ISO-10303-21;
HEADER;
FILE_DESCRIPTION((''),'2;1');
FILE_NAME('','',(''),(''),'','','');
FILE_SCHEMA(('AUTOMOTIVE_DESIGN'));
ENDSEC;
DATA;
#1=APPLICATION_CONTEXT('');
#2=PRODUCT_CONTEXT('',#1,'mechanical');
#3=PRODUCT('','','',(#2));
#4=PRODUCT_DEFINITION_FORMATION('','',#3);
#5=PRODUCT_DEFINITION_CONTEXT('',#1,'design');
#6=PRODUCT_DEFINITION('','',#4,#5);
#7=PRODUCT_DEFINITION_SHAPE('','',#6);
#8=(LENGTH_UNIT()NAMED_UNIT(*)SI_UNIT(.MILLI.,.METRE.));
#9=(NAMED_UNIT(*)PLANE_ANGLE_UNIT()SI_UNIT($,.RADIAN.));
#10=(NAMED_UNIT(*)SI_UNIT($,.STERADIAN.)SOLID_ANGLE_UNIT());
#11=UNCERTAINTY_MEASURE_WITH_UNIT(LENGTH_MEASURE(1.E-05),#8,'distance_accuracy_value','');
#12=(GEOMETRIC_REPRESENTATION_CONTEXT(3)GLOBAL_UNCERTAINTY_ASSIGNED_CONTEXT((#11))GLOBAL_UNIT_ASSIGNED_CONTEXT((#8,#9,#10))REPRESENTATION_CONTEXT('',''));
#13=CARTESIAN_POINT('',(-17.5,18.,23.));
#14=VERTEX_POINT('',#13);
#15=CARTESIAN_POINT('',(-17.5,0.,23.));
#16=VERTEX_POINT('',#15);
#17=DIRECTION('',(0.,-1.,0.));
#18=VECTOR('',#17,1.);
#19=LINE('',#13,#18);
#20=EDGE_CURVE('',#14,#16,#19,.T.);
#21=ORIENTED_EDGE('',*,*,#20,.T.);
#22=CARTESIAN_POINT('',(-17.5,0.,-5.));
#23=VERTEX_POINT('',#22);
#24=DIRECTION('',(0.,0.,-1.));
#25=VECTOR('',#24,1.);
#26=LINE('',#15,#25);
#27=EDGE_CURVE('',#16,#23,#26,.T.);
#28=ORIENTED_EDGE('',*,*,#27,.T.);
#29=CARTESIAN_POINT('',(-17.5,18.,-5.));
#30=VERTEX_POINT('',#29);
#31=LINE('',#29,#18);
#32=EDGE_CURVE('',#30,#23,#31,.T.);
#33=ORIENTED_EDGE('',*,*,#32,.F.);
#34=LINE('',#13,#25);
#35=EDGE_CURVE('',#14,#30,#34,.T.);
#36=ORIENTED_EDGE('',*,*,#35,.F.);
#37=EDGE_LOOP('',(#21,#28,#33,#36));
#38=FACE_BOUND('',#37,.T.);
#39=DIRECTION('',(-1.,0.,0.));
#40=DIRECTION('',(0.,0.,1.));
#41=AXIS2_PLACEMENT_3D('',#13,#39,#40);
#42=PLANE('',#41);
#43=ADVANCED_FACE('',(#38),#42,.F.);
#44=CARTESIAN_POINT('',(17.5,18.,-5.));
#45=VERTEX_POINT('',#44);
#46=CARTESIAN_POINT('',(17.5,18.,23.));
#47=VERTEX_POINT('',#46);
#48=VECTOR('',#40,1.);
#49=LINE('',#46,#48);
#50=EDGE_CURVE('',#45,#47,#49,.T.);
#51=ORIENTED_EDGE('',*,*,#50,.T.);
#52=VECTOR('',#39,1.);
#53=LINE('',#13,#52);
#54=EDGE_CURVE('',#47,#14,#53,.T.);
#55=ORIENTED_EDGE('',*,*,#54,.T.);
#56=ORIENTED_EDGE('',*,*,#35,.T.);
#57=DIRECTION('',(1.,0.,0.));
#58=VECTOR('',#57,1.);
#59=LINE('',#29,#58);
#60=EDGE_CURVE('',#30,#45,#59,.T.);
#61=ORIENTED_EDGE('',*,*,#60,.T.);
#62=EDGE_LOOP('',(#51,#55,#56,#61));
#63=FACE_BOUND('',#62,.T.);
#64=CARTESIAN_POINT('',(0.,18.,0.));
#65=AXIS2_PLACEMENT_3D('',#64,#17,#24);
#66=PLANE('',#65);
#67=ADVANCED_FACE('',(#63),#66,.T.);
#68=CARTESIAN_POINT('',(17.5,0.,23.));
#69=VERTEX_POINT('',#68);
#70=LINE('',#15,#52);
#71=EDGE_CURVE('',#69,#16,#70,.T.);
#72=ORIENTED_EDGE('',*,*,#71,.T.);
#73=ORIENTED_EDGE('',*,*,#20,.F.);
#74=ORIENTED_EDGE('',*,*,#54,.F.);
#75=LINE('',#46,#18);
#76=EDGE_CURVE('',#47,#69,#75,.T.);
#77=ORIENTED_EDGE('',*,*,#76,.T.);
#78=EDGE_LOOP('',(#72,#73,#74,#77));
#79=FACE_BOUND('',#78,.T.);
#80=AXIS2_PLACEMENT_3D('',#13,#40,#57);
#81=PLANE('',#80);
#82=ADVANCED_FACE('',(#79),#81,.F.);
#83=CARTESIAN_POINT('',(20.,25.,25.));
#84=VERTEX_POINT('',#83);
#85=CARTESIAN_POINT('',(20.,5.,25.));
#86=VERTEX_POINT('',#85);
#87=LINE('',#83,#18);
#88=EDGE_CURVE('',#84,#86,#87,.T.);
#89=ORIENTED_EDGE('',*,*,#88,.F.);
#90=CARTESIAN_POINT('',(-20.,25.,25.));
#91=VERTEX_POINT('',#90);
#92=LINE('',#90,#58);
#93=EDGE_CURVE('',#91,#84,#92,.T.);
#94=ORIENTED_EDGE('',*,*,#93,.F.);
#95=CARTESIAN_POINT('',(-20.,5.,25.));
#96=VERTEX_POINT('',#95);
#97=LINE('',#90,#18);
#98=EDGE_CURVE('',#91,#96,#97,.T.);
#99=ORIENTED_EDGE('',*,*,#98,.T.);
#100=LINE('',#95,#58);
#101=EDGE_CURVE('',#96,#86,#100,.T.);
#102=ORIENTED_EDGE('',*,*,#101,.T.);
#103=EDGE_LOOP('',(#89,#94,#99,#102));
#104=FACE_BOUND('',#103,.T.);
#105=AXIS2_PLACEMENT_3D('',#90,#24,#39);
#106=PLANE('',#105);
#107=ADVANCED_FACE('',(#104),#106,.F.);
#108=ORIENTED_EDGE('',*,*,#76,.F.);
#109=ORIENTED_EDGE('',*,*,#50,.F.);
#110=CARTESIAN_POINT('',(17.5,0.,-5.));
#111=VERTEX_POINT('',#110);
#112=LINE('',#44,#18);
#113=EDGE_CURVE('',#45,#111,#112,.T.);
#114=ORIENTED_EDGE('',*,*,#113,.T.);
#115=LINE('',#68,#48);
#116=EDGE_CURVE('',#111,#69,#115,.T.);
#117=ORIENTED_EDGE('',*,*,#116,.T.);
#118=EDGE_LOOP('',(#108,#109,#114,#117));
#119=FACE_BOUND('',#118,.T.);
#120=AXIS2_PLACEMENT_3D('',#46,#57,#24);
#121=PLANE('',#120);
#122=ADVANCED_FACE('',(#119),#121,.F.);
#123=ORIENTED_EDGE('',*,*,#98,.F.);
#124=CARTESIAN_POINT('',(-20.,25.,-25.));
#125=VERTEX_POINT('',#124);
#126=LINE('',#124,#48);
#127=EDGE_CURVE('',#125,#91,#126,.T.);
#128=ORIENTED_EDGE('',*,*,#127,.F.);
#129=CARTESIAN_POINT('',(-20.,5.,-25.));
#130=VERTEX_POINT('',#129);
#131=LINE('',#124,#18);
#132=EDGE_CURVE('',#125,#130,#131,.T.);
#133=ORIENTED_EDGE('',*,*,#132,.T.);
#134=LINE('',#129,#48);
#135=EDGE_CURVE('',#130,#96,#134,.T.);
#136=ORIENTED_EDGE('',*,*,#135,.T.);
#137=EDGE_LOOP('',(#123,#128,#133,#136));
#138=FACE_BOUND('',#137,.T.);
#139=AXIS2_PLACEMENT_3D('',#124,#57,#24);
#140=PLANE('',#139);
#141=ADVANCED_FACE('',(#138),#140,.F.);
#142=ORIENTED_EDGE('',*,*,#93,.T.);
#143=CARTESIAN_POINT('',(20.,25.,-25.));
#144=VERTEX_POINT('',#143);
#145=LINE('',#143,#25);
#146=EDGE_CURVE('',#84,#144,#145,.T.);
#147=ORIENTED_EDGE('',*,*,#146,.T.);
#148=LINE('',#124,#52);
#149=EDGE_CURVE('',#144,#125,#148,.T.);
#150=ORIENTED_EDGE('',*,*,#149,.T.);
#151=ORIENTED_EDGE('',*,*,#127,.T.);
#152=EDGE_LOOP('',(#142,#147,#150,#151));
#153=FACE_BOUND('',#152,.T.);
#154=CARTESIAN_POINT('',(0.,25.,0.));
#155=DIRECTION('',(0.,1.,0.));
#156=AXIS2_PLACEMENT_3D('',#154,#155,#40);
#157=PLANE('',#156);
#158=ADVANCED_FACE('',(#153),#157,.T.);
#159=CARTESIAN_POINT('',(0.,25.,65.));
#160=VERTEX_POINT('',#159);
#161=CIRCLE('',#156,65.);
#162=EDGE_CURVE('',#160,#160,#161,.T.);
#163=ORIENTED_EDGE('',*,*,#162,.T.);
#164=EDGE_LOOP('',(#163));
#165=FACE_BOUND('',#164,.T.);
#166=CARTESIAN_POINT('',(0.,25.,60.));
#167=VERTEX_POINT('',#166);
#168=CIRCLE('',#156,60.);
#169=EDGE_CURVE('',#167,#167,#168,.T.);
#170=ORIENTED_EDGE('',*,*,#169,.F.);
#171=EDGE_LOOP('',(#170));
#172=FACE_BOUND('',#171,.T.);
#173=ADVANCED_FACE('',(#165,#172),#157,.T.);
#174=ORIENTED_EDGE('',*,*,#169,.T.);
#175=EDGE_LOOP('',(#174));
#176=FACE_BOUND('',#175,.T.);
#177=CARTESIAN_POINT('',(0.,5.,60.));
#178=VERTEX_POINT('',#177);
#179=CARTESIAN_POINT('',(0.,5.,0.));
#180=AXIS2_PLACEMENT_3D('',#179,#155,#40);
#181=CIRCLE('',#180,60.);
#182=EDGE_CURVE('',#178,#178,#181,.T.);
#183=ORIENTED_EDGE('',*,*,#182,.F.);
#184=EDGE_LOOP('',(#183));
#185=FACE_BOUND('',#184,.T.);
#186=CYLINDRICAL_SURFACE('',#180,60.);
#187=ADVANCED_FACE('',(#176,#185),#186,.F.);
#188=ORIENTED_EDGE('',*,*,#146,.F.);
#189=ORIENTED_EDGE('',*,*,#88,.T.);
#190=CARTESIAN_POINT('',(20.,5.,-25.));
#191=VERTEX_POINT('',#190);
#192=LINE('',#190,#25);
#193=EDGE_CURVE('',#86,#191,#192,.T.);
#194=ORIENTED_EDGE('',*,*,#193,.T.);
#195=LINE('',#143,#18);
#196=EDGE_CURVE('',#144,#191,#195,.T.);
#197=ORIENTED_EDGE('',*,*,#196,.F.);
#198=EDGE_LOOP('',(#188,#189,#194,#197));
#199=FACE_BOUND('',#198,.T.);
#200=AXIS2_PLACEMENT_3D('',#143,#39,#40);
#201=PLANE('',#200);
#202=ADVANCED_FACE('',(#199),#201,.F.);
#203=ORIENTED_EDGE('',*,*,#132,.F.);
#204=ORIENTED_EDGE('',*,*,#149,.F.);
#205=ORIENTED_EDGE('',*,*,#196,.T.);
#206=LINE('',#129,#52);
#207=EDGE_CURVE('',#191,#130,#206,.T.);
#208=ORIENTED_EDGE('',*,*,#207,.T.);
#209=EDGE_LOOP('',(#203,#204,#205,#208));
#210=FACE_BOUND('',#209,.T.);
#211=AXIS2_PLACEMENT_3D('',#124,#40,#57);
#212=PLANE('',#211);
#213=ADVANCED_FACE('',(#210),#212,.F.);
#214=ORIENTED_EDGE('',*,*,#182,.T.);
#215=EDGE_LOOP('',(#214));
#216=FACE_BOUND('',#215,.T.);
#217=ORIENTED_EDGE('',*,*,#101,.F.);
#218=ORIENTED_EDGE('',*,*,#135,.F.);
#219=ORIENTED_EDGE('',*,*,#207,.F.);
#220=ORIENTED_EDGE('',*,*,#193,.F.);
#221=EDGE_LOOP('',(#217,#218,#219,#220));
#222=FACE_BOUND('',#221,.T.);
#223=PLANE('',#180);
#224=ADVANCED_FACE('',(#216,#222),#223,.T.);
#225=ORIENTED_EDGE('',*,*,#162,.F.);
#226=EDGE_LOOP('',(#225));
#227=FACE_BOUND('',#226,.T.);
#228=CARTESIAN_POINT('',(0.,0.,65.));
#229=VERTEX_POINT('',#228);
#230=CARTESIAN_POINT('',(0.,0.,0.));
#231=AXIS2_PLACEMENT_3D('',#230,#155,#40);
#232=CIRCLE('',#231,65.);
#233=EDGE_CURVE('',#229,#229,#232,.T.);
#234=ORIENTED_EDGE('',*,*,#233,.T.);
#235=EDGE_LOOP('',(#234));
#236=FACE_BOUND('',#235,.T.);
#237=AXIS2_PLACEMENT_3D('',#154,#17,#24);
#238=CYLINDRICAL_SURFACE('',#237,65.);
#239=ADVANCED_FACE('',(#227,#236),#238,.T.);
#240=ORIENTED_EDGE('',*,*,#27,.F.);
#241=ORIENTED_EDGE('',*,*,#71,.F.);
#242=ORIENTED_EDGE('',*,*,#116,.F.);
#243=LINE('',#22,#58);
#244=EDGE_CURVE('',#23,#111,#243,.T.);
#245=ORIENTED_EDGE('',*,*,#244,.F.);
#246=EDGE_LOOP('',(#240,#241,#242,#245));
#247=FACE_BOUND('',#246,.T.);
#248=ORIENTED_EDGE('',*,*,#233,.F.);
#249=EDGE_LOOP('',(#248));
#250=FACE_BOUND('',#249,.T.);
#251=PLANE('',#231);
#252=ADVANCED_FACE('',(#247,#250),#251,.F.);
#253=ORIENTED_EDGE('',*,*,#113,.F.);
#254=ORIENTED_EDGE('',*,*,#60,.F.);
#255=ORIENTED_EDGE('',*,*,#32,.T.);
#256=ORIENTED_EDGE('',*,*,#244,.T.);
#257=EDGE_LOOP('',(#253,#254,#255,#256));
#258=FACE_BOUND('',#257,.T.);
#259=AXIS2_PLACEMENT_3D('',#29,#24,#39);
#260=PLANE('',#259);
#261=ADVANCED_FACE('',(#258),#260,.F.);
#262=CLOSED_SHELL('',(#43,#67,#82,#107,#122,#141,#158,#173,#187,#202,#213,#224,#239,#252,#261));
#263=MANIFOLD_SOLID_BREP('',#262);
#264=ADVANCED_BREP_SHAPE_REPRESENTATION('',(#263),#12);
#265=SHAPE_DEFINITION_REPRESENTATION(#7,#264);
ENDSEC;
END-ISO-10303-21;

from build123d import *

# Parameters (mm, degrees)
SKETCH1_R           = 65
BOSS_EXTRUDE2_DEPTH = 25
SKETCH2_R           = 60
CUT_EXTRUDE1_DEPTH  = 20
SKETCH3_W           = 40
SKETCH3_H           = 50
BOSS_EXTRUDE3_DEPTH = 20
SKETCH4_W           = 35
SKETCH4_H           = 28
CUT_EXTRUDE2_DEPTH  = 18


with BuildPart() as part:
    # Sketch1 → Boss-Extrude2 (new body)
    with BuildSketch(Plane(origin=(0, 0, 0), x_dir=(1, 0, 0), z_dir=(0, 1, 0))):
        with Locations(Location((0, 0, 0), (0, 0, 270))):
            Circle(SKETCH1_R)
    extrude(amount=BOSS_EXTRUDE2_DEPTH)

    # Sketch2 → Cut-Extrude1 (cut)
    with BuildSketch(Plane(origin=(0, 25, 0), x_dir=(1, 0, 0), z_dir=(0, 1, 0))):
        with Locations(Location((0, 0, 0), (0, 0, 270))):
            Circle(SKETCH2_R)
    extrude(amount=-CUT_EXTRUDE1_DEPTH, mode=Mode.SUBTRACT)

    # Sketch3 → Boss-Extrude3 (add)
    with BuildSketch(Plane(origin=(0, 5, 0), x_dir=(1, 0, 0), z_dir=(0, 1, 0))):
        Rectangle(SKETCH3_W, SKETCH3_H)
    extrude(amount=BOSS_EXTRUDE3_DEPTH)

    # Sketch4 → Cut-Extrude2 (cut)
    with BuildSketch(Plane.XZ):
        with Locations((0, 9)):
            Rectangle(SKETCH4_W, SKETCH4_H)
    extrude(amount=-CUT_EXTRUDE2_DEPTH, mode=Mode.SUBTRACT)


solid = part.part
